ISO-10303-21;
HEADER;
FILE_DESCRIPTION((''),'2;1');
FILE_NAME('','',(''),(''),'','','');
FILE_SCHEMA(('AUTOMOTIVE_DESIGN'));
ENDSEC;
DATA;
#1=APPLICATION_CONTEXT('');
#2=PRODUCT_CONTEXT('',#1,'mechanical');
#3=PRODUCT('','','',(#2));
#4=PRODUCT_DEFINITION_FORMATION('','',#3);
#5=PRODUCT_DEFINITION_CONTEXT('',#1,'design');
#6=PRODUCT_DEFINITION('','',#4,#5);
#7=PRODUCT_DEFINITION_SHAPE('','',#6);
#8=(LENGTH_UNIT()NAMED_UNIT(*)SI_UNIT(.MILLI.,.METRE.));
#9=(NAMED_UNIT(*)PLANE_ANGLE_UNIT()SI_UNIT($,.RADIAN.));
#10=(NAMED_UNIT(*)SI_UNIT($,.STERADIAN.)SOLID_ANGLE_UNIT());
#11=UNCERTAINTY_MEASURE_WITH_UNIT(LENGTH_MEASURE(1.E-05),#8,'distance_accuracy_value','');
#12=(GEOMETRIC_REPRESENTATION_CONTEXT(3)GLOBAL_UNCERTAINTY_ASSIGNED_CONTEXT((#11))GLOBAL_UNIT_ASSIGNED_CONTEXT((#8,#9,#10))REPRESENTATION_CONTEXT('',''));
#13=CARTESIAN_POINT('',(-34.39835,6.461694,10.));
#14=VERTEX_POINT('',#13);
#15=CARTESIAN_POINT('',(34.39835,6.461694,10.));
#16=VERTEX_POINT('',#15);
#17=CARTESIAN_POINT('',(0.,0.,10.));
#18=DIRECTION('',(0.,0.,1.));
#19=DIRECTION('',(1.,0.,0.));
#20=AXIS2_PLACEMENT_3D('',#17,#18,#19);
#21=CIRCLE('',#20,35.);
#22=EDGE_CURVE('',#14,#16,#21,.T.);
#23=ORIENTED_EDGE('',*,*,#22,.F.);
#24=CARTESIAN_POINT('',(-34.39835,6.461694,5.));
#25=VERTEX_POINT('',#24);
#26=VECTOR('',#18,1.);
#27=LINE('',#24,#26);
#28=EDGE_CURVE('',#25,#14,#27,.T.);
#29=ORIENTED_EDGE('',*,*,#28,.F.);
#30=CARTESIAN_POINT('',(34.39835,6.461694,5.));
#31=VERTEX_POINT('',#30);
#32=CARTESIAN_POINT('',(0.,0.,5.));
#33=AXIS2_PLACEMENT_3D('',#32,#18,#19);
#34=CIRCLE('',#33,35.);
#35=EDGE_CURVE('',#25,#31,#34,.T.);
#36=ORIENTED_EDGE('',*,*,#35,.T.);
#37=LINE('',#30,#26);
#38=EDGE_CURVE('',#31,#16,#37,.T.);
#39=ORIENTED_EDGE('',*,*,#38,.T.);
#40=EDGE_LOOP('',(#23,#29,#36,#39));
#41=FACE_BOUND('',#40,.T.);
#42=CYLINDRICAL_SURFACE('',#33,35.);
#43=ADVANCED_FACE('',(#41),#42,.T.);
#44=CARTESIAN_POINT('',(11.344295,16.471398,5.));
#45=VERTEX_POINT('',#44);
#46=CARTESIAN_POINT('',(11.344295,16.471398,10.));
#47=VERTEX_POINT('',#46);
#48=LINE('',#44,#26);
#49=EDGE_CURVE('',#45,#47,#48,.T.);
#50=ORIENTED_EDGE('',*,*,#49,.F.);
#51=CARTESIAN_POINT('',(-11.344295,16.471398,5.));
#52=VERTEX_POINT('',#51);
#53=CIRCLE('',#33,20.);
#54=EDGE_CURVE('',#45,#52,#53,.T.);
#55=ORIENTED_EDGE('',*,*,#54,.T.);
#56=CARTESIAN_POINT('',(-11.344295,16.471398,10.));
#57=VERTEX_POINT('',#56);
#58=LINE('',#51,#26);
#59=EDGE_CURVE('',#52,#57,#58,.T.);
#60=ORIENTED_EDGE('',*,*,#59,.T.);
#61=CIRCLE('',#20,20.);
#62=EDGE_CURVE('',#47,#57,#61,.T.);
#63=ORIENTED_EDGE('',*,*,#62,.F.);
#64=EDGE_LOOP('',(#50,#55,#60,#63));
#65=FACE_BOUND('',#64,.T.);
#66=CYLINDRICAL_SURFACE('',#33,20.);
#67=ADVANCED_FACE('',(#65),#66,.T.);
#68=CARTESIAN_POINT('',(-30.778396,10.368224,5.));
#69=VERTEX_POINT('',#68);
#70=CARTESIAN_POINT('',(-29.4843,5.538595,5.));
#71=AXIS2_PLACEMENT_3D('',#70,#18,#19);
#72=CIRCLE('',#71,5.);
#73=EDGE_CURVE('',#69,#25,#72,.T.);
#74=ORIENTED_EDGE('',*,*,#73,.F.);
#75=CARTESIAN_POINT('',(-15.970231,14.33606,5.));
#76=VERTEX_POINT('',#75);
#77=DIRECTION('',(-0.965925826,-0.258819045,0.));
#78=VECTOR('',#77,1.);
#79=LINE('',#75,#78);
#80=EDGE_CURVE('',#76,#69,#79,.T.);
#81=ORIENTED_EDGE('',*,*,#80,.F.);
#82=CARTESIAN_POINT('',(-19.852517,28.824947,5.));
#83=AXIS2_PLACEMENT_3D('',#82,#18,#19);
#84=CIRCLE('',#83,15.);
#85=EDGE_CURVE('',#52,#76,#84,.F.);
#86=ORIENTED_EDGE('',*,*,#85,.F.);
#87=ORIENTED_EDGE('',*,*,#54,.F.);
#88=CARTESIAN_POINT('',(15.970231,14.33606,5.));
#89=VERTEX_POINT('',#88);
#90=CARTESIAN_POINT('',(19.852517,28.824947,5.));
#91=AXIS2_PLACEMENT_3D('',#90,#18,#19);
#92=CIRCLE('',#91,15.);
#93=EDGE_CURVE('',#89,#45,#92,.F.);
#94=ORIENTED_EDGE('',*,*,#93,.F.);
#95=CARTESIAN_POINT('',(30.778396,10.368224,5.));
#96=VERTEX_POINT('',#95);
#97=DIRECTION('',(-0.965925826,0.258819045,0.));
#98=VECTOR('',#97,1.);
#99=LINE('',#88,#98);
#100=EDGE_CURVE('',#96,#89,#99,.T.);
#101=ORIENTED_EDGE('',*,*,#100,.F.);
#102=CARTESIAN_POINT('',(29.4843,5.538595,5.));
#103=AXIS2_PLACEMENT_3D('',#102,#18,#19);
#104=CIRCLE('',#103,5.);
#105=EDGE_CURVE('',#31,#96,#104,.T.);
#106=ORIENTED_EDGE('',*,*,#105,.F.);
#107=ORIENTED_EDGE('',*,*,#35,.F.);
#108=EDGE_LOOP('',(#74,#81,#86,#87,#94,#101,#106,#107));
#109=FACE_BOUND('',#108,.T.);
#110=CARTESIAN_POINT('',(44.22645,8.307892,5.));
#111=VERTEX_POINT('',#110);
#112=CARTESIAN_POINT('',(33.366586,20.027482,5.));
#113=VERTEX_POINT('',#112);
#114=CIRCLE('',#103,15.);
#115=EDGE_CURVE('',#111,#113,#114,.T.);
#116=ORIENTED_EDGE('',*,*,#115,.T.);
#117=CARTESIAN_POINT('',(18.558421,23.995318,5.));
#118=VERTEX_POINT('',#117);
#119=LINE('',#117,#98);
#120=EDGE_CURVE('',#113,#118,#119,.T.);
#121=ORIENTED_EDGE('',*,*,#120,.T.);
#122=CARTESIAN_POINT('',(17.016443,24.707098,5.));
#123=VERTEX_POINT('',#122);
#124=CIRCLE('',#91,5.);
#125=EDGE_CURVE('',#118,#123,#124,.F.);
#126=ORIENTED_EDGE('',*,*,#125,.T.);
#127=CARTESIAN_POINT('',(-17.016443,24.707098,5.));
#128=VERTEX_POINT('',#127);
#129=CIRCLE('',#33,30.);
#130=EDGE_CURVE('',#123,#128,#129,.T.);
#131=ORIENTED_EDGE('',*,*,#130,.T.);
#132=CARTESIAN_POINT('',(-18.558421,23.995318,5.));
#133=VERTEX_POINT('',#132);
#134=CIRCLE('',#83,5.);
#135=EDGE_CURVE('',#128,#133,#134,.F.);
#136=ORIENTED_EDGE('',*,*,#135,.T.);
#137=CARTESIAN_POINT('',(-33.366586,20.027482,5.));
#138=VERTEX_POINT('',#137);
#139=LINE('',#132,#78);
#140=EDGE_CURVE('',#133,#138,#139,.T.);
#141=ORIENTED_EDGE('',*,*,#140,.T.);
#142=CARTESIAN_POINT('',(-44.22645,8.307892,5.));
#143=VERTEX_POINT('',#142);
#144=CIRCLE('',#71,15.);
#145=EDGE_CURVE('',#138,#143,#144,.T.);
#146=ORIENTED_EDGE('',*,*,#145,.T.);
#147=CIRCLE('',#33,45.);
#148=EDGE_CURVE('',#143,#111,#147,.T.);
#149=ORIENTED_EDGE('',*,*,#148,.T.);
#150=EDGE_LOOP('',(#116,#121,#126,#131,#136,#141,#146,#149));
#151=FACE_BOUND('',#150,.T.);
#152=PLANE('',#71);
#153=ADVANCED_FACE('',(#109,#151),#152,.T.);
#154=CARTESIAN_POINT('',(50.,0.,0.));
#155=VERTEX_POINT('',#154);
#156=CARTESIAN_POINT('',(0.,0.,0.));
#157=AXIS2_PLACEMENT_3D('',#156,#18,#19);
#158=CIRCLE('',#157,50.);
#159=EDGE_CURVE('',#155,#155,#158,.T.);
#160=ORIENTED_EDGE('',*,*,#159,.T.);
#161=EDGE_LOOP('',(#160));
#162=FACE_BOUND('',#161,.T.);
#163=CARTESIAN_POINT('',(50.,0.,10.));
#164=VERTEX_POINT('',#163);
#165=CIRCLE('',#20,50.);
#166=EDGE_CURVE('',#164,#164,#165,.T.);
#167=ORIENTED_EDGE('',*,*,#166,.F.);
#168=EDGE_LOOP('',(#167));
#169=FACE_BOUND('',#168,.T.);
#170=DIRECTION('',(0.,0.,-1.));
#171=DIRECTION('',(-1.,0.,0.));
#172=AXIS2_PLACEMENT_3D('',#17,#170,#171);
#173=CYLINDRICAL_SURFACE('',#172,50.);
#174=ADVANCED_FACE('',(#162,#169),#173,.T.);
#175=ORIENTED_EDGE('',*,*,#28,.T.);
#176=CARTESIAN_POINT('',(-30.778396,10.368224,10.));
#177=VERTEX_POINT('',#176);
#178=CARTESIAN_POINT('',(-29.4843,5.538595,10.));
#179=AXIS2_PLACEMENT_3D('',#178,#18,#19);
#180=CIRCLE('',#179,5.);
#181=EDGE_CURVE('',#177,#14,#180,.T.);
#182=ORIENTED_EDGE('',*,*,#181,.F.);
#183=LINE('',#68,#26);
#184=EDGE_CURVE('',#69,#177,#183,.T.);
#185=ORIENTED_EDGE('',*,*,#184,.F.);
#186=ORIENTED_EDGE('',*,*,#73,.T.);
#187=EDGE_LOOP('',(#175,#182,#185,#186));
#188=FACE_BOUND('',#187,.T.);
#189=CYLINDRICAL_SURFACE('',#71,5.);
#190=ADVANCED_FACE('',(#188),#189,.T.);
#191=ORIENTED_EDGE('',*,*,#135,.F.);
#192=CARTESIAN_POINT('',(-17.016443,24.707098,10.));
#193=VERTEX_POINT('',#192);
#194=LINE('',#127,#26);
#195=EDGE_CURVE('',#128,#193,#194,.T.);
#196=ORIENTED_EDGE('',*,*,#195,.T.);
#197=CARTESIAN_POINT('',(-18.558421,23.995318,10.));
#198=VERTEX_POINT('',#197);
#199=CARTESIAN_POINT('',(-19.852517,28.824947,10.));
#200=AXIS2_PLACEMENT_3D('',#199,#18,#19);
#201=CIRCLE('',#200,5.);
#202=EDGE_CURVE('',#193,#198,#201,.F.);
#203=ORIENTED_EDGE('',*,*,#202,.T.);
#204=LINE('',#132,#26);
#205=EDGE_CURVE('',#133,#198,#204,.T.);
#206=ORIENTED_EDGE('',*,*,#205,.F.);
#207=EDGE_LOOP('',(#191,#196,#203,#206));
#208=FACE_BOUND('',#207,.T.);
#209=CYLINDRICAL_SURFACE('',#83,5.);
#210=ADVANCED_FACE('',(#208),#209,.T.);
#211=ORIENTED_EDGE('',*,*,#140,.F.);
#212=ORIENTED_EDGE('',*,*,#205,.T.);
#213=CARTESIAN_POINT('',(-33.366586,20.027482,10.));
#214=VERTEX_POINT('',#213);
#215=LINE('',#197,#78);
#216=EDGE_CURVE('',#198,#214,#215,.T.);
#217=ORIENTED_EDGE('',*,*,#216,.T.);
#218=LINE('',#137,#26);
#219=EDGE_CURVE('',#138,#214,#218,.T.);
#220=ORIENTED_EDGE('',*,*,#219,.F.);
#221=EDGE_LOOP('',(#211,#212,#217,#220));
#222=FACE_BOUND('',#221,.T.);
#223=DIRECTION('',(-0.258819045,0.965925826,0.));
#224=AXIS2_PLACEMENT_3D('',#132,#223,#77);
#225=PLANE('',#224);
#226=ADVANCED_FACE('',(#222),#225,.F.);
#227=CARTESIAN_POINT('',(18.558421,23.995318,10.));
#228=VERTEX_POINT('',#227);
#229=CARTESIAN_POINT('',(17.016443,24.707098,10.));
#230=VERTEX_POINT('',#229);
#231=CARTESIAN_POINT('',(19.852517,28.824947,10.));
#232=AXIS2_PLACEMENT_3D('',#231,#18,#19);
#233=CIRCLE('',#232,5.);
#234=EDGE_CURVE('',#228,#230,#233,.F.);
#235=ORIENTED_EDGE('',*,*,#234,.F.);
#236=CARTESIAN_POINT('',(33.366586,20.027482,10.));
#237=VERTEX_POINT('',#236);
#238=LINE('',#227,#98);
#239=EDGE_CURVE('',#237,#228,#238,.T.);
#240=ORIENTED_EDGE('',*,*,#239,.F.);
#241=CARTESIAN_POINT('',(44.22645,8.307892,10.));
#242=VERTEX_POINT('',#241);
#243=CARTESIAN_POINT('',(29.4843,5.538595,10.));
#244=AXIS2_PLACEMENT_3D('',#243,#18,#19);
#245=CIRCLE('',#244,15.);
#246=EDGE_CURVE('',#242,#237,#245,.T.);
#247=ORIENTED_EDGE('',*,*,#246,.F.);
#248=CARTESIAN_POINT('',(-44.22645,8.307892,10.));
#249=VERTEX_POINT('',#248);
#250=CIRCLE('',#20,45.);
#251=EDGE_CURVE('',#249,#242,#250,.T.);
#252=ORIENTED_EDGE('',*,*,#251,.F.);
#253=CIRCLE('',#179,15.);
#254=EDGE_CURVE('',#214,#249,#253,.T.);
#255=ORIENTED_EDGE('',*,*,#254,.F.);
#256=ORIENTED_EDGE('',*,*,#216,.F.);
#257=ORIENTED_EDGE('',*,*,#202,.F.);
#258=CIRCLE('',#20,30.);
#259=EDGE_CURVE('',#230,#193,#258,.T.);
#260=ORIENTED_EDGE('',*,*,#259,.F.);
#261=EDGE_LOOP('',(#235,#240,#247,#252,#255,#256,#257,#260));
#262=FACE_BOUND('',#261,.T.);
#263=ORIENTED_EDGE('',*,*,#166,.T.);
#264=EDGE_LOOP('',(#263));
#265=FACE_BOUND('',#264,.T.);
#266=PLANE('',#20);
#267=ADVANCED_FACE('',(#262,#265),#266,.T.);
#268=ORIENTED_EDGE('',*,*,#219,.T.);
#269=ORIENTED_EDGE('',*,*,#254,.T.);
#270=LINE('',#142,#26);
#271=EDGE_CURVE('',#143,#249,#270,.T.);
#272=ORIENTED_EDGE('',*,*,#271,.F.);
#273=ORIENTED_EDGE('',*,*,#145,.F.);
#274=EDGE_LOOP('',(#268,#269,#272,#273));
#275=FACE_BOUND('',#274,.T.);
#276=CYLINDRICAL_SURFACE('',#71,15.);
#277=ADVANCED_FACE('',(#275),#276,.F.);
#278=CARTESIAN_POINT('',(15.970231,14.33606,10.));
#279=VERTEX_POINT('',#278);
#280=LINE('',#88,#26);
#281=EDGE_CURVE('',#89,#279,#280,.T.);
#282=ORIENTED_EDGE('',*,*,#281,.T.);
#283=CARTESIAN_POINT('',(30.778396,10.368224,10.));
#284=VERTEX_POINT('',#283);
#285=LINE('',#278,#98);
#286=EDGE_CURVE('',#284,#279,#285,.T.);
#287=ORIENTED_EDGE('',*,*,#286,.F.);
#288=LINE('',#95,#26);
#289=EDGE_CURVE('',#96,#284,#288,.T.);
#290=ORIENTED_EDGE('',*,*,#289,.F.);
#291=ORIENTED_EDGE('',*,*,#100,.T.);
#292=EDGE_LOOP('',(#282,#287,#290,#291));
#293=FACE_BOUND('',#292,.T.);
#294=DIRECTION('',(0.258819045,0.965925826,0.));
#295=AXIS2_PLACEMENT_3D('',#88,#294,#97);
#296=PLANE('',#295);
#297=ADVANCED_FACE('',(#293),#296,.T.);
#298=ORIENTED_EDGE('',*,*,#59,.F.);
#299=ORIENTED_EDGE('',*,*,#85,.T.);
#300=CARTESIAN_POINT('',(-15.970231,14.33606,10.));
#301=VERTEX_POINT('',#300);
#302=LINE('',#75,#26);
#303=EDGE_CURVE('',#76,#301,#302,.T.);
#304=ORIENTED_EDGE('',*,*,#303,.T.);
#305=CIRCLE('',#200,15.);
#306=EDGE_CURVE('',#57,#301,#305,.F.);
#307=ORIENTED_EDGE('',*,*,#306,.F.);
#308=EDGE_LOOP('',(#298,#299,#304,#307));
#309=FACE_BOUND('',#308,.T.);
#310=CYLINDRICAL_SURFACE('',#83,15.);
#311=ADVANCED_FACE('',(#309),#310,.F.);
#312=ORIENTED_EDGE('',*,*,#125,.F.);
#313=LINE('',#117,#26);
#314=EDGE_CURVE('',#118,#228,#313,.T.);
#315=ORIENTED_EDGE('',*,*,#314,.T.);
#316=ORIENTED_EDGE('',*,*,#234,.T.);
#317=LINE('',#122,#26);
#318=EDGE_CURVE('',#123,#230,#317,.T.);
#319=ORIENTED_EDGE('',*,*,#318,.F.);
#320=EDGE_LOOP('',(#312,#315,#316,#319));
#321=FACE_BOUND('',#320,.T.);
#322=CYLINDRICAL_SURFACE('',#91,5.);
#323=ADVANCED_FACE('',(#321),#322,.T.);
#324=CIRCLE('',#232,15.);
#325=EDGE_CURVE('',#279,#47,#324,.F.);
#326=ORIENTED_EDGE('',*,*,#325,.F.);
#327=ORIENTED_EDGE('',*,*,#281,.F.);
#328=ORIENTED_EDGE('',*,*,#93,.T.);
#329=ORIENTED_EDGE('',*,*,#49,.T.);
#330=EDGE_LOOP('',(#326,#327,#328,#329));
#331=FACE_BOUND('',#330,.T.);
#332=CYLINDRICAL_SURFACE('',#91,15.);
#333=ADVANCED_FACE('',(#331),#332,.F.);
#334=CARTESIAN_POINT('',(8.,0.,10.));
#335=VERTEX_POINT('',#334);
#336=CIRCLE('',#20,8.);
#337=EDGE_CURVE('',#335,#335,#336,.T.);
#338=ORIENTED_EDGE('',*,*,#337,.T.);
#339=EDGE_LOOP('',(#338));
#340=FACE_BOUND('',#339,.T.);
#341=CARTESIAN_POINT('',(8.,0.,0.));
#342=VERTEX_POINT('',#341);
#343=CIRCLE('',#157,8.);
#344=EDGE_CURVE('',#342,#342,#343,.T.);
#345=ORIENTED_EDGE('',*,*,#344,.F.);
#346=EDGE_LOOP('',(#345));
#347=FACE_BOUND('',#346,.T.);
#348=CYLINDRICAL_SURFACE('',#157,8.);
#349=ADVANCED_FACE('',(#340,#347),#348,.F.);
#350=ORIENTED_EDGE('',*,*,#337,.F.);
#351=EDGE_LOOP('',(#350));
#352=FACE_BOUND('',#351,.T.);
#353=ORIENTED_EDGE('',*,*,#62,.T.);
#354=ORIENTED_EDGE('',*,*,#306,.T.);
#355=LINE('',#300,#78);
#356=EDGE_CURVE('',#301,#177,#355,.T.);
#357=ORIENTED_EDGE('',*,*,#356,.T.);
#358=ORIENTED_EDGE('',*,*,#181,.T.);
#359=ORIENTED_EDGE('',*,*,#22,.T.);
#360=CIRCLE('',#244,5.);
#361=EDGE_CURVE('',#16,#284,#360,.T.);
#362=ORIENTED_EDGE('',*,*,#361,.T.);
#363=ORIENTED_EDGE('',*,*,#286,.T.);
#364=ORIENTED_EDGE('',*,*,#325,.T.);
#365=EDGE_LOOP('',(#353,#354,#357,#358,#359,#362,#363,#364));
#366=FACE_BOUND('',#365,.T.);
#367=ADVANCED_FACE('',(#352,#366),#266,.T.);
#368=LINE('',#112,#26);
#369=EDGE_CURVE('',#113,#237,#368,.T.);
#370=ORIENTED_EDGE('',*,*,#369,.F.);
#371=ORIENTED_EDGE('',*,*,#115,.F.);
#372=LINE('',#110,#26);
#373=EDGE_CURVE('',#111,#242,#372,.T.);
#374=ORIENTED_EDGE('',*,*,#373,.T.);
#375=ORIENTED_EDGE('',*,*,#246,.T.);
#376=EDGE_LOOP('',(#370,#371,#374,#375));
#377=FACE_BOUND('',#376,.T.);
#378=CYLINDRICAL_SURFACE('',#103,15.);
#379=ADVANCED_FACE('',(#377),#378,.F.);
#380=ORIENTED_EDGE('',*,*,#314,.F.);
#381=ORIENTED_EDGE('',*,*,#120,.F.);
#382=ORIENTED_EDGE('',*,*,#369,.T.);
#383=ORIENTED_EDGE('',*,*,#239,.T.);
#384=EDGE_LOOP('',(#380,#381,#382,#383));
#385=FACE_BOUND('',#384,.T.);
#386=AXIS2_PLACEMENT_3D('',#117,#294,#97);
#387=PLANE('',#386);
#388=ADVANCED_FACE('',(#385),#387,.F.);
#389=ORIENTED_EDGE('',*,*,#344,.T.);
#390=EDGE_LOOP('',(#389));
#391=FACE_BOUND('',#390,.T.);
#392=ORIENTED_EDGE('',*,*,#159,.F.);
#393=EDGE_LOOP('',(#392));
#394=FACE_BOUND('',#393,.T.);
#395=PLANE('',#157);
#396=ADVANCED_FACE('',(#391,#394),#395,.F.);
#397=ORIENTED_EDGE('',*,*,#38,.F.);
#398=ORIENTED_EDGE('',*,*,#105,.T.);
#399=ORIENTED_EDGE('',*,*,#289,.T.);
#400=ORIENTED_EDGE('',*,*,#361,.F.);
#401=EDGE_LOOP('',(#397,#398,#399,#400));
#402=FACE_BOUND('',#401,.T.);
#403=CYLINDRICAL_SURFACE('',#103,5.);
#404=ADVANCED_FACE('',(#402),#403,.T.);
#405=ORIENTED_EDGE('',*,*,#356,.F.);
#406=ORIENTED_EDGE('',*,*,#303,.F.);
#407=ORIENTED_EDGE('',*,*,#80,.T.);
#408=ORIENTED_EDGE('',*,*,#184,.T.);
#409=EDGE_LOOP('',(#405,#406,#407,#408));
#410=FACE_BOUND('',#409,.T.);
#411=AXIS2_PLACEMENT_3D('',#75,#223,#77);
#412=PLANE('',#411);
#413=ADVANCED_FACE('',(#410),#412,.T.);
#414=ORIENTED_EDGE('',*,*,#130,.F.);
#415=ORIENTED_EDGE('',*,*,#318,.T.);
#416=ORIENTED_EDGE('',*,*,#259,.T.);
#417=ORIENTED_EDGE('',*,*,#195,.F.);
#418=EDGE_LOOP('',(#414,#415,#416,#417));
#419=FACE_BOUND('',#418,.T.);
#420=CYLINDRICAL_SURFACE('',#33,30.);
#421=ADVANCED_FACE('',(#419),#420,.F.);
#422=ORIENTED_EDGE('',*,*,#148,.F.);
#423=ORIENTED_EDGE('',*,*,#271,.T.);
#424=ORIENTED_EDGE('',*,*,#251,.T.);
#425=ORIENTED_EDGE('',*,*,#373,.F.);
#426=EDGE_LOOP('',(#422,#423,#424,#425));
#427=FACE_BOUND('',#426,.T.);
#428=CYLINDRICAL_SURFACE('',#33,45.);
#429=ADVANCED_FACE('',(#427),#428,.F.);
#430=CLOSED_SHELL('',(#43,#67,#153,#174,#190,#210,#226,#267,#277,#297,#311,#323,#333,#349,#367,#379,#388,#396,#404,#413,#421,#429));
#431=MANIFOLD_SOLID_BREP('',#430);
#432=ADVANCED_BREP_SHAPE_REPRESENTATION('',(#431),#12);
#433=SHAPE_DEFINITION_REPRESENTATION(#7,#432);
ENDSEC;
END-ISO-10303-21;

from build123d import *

# Parameters (mm, degrees)
SKETCH_1_R            = 50
EXTRUDE_1_DEPTH       = 10
CUT_EXTRUDE_1_DEPTH   = 5
SKETCH_4_R            = 8
CUT_EXTRUDE_1_2_DEPTH = 72.414284285


with BuildPart() as part:
    # 草图1 → 凸台-拉伸1 (new body)
    with BuildSketch(Plane.XY):
        Circle(SKETCH_1_R)
    extrude(amount=EXTRUDE_1_DEPTH)

    # 草图2 → Cut-Extrude 1 (cut)
    with BuildSketch(Plane.XY.offset(10)):
        with BuildLine():
            ThreePointArc((44.226450487, 8.307892471), (0, -45), (-44.226450487, 8.307892471))
            ThreePointArc((-44.226450487, 8.307892471), (-40.486781839, 15.733956697), (-33.366586001, 20.027482375))
            Line((-33.366586001, 20.027482375), (-18.55842138, 23.995318126))
            ThreePointArc((-18.55842138, 23.995318126), (-17.756990045, 24.285259115), (-17.016442805, 24.70709765))
            ThreePointArc((-17.016442805, 24.70709765), (0, 30), (17.016442805, 24.70709765))
            ThreePointArc((17.016442805, 24.70709765), (17.756990045, 24.285259115), (18.55842138, 23.995318126))
            Line((18.55842138, 23.995318126), (33.366586001, 20.027482375))
            ThreePointArc((33.366586001, 20.027482375), (40.486781839, 15.733956697), (44.226450487, 8.307892471))
        make_face()
        with BuildLine():
            ThreePointArc((34.398350379, 6.461694144), (0, -35), (-34.398350379, 6.461694144))
            ThreePointArc((-34.398350379, 6.461694144), (-33.151794163, 8.937048886), (-30.77839555, 10.368224112))
            Line((-30.77839555, 10.368224112), (-15.970230929, 14.336059864))
            ThreePointArc((-15.970230929, 14.336059864), (-13.565936922, 15.20588283), (-11.344295203, 16.471398433))
            ThreePointArc((-11.344295203, 16.471398433), (0, 20), (11.344295203, 16.471398433))
            ThreePointArc((11.344295203, 16.471398433), (13.565936922, 15.20588283), (15.970230929, 14.336059864))
            Line((15.970230929, 14.336059864), (30.77839555, 10.368224112))
            ThreePointArc((30.77839555, 10.368224112), (33.151794163, 8.937048886), (34.398350379, 6.461694144))
        make_face(mode=Mode.SUBTRACT)
    extrude(amount=-CUT_EXTRUDE_1_DEPTH, mode=Mode.SUBTRACT)

    # 草图4 → Cut-Extrude 1 2 (cut, through all)
    with BuildSketch(Plane.XY.offset(10)):
        Circle(SKETCH_4_R)
    extrude(amount=-CUT_EXTRUDE_1_2_DEPTH, mode=Mode.SUBTRACT)


solid = part.part
